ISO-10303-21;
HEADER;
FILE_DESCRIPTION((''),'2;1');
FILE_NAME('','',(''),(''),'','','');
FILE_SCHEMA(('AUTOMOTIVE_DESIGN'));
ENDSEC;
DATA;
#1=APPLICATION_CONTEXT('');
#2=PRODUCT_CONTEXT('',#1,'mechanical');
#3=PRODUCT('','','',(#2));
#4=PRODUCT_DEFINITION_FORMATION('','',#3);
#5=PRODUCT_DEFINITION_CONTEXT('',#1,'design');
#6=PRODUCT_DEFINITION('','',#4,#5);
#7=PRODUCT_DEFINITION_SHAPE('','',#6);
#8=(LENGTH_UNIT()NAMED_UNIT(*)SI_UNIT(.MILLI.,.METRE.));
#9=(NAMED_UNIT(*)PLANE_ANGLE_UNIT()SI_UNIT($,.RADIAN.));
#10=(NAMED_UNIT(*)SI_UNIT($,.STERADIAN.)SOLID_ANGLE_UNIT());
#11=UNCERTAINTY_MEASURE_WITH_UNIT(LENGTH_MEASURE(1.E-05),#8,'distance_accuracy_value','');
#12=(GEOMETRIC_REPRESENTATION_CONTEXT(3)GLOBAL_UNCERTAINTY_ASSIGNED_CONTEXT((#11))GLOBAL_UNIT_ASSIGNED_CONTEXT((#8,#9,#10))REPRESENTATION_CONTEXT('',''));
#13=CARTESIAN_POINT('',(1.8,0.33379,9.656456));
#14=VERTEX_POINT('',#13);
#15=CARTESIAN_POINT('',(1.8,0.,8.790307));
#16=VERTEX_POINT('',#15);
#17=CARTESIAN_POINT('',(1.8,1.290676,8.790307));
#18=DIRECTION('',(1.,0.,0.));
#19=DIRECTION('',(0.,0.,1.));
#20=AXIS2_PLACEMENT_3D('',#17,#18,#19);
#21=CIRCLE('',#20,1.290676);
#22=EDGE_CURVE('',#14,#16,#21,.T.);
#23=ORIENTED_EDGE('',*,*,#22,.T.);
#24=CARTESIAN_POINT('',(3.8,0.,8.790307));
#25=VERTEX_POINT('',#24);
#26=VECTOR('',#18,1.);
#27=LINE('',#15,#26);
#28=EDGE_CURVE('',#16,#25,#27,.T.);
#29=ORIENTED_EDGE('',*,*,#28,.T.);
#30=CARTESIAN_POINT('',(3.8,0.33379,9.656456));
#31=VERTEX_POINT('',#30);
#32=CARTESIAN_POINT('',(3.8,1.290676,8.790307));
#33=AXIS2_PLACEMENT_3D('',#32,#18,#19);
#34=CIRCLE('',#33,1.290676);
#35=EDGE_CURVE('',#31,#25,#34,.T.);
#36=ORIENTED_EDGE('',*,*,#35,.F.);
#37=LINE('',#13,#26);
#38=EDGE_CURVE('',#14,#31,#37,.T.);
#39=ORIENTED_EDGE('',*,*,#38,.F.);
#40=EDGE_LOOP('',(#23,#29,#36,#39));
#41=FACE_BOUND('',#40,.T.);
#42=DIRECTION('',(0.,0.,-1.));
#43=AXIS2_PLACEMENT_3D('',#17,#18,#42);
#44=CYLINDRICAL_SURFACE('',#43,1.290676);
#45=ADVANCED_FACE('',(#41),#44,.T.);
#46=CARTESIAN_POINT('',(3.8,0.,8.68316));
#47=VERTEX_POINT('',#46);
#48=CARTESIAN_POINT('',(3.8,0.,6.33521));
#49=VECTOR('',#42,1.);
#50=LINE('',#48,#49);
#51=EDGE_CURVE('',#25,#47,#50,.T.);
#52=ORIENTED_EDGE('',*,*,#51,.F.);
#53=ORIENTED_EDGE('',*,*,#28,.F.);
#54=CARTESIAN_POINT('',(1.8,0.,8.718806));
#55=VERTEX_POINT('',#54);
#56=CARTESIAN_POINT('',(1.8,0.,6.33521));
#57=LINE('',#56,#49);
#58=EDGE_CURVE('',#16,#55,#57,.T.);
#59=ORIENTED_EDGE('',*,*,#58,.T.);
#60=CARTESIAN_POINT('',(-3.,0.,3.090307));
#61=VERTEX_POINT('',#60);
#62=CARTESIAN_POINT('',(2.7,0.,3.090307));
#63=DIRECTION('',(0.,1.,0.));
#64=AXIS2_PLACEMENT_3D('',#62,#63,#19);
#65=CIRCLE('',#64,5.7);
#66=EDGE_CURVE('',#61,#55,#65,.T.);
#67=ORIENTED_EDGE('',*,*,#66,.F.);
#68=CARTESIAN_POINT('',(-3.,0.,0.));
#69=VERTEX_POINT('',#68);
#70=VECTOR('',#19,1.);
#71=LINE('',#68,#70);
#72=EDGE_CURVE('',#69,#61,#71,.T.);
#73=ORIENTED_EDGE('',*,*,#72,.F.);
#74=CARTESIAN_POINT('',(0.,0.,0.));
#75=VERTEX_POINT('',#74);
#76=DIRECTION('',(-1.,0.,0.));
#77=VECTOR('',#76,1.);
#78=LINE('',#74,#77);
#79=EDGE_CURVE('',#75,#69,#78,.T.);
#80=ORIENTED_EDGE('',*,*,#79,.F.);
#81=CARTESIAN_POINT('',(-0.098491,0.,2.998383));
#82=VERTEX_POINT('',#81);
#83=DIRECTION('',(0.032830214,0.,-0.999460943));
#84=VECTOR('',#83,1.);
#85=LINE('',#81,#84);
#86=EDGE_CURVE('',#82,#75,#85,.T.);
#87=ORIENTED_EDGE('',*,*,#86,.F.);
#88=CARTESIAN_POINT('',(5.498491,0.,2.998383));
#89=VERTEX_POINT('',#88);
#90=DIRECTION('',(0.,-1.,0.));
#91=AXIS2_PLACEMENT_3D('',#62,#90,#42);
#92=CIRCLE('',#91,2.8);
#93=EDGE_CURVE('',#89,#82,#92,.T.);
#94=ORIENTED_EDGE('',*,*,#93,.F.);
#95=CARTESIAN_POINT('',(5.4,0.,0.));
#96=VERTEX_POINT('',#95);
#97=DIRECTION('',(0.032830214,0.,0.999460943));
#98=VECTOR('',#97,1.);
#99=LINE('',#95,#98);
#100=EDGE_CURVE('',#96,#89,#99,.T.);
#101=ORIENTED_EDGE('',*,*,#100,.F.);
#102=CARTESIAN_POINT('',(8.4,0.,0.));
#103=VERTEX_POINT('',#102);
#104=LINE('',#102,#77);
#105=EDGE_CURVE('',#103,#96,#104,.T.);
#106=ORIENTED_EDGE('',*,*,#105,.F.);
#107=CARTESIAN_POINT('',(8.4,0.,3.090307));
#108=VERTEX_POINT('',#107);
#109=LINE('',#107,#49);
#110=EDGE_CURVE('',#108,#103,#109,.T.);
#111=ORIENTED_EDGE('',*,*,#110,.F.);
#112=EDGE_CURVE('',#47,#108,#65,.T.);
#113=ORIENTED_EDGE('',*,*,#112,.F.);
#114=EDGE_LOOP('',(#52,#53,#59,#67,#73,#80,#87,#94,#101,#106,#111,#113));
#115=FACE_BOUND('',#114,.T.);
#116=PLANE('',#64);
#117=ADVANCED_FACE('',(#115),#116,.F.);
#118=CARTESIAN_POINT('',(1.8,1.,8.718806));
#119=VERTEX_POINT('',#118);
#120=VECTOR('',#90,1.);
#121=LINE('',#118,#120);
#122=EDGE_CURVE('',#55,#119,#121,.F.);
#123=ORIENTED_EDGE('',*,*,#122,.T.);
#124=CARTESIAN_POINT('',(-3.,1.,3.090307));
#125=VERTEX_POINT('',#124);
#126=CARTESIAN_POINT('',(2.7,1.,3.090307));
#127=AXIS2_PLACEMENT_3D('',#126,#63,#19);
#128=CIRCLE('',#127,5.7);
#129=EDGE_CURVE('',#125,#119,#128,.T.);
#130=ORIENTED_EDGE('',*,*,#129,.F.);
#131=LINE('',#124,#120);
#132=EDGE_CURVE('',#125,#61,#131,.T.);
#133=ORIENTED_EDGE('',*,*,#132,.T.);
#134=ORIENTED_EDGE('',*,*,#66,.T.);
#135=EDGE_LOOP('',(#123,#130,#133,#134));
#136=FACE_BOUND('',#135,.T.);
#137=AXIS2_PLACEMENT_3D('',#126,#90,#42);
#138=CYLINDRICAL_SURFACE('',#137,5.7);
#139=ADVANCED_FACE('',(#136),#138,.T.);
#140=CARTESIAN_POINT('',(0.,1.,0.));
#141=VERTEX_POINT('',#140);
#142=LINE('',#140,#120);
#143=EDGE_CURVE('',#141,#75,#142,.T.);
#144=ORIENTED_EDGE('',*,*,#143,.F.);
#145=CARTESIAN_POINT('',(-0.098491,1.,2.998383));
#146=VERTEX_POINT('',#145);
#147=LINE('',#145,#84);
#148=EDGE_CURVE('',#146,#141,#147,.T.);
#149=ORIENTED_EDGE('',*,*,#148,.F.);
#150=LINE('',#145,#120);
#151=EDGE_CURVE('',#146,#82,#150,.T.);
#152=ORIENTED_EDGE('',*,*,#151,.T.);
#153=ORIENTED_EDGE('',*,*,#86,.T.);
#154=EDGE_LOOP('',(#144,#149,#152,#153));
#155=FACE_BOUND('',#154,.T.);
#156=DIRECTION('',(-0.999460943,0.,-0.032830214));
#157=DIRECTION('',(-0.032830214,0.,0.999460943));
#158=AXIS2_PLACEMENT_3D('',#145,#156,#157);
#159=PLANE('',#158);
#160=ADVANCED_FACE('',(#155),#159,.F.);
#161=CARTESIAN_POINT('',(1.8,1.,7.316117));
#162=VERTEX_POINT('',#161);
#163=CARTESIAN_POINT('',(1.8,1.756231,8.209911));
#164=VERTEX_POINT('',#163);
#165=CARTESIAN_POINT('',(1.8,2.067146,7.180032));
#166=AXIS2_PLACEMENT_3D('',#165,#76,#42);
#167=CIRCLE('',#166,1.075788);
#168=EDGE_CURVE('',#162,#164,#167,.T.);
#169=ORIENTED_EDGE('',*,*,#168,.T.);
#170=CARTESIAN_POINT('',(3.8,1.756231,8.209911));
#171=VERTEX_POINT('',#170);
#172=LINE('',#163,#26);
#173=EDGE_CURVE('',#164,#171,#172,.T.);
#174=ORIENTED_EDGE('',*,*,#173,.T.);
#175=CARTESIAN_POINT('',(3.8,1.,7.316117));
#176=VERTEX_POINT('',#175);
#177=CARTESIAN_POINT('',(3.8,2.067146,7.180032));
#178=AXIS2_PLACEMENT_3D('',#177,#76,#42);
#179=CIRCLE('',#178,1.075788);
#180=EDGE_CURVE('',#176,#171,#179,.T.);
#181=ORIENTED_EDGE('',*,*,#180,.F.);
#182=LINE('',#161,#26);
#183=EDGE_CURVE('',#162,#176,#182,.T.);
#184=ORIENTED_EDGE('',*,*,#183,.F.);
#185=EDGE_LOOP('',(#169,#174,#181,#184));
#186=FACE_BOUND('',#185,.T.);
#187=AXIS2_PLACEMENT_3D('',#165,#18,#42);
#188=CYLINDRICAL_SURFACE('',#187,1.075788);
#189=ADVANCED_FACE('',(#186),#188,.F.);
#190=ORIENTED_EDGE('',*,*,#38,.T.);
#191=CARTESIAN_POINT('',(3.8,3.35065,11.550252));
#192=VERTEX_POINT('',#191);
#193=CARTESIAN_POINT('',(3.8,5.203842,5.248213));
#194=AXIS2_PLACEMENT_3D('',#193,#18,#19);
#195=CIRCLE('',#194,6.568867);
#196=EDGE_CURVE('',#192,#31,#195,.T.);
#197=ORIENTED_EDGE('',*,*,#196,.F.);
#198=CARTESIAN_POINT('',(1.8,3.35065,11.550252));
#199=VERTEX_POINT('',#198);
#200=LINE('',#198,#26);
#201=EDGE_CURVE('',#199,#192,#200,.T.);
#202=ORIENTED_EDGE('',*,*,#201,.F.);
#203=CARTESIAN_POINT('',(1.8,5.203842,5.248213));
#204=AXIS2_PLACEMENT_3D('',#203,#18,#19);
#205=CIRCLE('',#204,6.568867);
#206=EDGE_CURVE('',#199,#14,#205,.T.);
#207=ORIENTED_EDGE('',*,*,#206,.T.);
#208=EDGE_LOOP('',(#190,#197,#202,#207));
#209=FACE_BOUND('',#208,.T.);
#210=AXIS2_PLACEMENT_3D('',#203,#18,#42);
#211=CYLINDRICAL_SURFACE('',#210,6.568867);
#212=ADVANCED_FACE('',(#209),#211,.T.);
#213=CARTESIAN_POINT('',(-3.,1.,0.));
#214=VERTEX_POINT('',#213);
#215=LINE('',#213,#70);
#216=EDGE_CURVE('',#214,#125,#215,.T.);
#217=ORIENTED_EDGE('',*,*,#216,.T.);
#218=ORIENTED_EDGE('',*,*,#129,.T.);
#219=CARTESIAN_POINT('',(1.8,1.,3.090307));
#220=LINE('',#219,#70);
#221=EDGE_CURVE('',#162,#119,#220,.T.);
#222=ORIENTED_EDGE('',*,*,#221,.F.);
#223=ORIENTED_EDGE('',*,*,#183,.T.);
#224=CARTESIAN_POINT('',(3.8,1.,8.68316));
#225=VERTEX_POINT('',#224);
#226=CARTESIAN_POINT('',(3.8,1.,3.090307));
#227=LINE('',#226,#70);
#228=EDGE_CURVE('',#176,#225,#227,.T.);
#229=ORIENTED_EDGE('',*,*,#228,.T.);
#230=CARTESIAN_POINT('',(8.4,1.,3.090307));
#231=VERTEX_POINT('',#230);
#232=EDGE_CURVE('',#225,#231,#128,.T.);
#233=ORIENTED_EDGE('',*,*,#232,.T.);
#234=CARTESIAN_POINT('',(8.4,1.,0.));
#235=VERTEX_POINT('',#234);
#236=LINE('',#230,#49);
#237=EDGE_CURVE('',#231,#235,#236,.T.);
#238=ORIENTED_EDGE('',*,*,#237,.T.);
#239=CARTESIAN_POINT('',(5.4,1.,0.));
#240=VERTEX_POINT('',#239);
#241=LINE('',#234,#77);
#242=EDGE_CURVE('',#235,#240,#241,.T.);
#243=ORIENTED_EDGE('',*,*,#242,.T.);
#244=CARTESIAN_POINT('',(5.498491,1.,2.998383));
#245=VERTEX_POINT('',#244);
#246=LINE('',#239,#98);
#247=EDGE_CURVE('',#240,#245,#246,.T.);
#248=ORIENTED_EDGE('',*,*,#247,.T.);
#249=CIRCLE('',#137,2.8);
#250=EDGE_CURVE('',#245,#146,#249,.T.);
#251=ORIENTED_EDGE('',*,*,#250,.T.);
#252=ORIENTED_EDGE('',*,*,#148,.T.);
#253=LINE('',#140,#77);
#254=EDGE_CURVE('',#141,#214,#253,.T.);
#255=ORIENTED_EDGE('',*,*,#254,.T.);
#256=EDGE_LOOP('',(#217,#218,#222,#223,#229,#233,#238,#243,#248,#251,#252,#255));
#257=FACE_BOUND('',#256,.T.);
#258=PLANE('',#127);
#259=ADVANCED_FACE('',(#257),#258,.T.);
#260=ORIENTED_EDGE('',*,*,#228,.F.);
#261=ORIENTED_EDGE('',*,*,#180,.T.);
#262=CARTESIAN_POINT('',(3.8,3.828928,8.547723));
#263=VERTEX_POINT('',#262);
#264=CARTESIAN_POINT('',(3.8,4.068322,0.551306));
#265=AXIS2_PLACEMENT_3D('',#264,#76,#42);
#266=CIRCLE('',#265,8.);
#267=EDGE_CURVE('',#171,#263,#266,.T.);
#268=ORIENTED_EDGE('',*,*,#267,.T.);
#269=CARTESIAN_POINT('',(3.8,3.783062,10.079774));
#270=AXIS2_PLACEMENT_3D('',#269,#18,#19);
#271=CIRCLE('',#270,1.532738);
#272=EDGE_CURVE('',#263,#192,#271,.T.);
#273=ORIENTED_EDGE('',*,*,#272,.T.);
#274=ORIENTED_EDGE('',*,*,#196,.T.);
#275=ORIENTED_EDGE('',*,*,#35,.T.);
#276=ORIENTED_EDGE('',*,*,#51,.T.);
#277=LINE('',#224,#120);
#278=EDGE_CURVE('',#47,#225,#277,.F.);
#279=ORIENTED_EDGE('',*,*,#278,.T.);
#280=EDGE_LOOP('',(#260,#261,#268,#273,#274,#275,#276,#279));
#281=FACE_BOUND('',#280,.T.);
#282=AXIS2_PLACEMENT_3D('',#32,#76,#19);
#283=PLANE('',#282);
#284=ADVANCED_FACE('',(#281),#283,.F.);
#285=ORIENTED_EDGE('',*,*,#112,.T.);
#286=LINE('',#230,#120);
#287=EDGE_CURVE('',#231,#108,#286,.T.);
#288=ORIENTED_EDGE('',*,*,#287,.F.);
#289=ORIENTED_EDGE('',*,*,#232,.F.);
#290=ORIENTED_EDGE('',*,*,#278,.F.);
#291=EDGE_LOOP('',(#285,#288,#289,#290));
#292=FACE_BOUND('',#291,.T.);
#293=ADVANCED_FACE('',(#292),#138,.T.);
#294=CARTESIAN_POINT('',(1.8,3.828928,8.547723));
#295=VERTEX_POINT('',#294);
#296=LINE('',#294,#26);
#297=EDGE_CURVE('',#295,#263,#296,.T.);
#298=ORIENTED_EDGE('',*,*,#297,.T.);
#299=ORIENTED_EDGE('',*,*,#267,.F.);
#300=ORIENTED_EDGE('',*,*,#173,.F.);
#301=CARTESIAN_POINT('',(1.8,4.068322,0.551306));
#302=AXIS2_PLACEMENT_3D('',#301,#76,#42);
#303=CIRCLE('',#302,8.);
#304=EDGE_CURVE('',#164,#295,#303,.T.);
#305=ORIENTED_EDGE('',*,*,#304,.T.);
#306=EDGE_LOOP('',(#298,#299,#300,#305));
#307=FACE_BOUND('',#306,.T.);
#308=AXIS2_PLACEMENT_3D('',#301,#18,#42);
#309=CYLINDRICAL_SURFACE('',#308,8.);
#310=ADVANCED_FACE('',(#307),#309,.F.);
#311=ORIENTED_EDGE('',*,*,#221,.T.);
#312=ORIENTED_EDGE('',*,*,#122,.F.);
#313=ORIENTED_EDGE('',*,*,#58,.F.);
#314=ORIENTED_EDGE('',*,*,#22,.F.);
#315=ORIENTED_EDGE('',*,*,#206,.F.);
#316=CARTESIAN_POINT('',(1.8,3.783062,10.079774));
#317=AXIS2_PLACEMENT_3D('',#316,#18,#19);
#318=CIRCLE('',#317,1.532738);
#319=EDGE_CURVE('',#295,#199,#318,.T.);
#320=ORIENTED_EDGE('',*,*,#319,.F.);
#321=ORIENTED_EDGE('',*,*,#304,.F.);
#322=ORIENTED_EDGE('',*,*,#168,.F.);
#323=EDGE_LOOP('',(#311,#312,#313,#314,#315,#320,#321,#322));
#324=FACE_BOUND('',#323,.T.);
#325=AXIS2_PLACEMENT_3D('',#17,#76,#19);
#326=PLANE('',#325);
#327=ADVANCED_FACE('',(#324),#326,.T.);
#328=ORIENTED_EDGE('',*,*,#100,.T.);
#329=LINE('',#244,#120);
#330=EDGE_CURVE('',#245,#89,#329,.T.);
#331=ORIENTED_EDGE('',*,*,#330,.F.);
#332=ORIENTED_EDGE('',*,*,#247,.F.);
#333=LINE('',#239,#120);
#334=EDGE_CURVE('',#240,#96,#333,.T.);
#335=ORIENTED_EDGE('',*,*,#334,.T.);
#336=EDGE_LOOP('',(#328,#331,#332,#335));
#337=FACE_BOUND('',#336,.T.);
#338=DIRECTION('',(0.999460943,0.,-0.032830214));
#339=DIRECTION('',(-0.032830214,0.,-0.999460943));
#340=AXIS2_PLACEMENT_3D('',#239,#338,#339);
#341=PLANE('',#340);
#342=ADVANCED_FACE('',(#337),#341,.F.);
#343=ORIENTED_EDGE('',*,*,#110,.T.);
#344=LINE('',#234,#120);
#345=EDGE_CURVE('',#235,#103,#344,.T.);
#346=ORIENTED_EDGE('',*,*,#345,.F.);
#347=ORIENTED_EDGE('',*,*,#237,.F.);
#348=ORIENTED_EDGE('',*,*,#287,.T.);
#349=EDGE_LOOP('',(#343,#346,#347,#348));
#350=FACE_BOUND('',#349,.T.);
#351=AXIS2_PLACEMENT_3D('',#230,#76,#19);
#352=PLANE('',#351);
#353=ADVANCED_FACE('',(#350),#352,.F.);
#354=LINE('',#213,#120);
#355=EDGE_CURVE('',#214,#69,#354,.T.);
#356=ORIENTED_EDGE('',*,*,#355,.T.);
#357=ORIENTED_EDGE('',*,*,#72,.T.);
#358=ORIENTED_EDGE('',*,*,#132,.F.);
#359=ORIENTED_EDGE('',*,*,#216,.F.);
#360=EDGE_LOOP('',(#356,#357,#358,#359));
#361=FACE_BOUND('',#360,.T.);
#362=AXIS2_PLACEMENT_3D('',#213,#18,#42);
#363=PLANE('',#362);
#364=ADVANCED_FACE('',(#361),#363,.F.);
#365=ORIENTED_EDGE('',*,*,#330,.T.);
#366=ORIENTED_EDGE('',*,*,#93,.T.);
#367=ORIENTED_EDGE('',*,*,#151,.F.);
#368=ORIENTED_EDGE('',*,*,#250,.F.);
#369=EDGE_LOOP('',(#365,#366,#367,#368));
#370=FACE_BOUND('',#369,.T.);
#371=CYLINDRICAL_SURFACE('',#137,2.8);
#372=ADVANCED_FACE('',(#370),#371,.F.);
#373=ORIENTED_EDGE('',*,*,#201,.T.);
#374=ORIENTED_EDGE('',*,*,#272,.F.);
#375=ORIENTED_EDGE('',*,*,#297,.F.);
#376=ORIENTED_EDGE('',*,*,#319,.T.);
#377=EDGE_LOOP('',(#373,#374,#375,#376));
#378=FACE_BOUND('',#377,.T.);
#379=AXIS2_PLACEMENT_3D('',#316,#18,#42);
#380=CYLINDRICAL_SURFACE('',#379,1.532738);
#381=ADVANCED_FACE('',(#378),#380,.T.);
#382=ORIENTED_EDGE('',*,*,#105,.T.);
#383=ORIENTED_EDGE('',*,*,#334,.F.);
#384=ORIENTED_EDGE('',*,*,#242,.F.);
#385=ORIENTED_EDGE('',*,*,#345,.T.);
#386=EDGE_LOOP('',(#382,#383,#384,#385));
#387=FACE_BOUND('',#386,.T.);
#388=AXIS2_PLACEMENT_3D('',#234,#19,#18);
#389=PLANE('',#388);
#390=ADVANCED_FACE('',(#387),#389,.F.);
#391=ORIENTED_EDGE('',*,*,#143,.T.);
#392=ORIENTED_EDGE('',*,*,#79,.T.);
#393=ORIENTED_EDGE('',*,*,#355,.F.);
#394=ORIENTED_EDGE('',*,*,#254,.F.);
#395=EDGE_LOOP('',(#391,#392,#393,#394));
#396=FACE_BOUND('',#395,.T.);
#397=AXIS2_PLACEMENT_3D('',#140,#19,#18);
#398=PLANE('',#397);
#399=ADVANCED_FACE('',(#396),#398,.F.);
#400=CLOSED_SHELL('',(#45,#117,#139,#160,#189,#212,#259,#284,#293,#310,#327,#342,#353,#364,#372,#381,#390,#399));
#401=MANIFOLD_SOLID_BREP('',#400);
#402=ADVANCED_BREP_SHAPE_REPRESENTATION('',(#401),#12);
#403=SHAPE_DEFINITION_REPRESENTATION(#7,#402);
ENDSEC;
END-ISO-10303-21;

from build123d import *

# Parameters (mm, degrees)
BOSS_EXTRUDE1_DEPTH      = 1
BOSS_EXTRUDE2_START      = 2.8
BOSS_EXTRUDE2_DEPTH      = 1
BOSS_EXTRUDE2_DEPTH_BACK = 1


with BuildPart() as part:
    # Sketch1 → Boss-Extrude1 (new body)
    with BuildSketch(Plane(origin=(0, 0, 0), x_dir=(1, 0, 0), z_dir=(0, 1, 0))):
        with BuildLine():
            Line((0, 0), (-3, 0))
            Line((-3, 0), (-3, -3.090307428))
            ThreePointArc((-3, -3.090307428), (2.7, -8.790307428), (8.4, -3.090307428))
            Line((8.4, -3.090307428), (8.4, 0))
            Line((8.4, 0), (5.4, 0))
            Line((5.4, 0), (5.498490641, -2.99838283))
            ThreePointArc((5.498490641, -2.99838283), (2.7, -5.890307428), (-0.098490641, -2.99838283))
            Line((-0.098490641, -2.99838283), (0, 0))
        make_face()
    extrude(amount=BOSS_EXTRUDE1_DEPTH)

    # Sketch2 → Boss-Extrude2 (add, two sides)
    with BuildSketch(Plane(origin=(0, 0, 0), x_dir=(0, 0, -1), z_dir=(1, 0, 0)).offset(BOSS_EXTRUDE2_START)) as boss_extrude2_sk:
        with BuildLine():
            Line((-6.335210042, 0), (-8.790307428, 0))
            ThreePointArc((-8.790307428, 0), (-9.254427116, 0.08633492), (-9.656455715, 0.333789578))
            ThreePointArc((-9.656455715, 0.333789578), (-10.811745574, 1.711404626), (-11.550251819, 3.350650307))
            ThreePointArc((-11.550251819, 3.350650307), (-10.32088682, 5.296716398), (-8.547723139, 3.828928236))
            ThreePointArc((-8.547723139, 3.828928236), (-8.447124365, 2.781446668), (-8.209910935, 1.756230818))
            ThreePointArc((-8.209910935, 1.756230818), (-7.874898379, 1.24587868), (-7.316117214, 1))
            Line((-7.316117214, 1), (-6.335210042, 1))
            Line((-6.335210042, 1), (-6.335210042, 0))
        make_face()
    extrude(amount=BOSS_EXTRUDE2_DEPTH)
    extrude(boss_extrude2_sk.sketch, amount=-BOSS_EXTRUDE2_DEPTH_BACK)


solid = part.part
